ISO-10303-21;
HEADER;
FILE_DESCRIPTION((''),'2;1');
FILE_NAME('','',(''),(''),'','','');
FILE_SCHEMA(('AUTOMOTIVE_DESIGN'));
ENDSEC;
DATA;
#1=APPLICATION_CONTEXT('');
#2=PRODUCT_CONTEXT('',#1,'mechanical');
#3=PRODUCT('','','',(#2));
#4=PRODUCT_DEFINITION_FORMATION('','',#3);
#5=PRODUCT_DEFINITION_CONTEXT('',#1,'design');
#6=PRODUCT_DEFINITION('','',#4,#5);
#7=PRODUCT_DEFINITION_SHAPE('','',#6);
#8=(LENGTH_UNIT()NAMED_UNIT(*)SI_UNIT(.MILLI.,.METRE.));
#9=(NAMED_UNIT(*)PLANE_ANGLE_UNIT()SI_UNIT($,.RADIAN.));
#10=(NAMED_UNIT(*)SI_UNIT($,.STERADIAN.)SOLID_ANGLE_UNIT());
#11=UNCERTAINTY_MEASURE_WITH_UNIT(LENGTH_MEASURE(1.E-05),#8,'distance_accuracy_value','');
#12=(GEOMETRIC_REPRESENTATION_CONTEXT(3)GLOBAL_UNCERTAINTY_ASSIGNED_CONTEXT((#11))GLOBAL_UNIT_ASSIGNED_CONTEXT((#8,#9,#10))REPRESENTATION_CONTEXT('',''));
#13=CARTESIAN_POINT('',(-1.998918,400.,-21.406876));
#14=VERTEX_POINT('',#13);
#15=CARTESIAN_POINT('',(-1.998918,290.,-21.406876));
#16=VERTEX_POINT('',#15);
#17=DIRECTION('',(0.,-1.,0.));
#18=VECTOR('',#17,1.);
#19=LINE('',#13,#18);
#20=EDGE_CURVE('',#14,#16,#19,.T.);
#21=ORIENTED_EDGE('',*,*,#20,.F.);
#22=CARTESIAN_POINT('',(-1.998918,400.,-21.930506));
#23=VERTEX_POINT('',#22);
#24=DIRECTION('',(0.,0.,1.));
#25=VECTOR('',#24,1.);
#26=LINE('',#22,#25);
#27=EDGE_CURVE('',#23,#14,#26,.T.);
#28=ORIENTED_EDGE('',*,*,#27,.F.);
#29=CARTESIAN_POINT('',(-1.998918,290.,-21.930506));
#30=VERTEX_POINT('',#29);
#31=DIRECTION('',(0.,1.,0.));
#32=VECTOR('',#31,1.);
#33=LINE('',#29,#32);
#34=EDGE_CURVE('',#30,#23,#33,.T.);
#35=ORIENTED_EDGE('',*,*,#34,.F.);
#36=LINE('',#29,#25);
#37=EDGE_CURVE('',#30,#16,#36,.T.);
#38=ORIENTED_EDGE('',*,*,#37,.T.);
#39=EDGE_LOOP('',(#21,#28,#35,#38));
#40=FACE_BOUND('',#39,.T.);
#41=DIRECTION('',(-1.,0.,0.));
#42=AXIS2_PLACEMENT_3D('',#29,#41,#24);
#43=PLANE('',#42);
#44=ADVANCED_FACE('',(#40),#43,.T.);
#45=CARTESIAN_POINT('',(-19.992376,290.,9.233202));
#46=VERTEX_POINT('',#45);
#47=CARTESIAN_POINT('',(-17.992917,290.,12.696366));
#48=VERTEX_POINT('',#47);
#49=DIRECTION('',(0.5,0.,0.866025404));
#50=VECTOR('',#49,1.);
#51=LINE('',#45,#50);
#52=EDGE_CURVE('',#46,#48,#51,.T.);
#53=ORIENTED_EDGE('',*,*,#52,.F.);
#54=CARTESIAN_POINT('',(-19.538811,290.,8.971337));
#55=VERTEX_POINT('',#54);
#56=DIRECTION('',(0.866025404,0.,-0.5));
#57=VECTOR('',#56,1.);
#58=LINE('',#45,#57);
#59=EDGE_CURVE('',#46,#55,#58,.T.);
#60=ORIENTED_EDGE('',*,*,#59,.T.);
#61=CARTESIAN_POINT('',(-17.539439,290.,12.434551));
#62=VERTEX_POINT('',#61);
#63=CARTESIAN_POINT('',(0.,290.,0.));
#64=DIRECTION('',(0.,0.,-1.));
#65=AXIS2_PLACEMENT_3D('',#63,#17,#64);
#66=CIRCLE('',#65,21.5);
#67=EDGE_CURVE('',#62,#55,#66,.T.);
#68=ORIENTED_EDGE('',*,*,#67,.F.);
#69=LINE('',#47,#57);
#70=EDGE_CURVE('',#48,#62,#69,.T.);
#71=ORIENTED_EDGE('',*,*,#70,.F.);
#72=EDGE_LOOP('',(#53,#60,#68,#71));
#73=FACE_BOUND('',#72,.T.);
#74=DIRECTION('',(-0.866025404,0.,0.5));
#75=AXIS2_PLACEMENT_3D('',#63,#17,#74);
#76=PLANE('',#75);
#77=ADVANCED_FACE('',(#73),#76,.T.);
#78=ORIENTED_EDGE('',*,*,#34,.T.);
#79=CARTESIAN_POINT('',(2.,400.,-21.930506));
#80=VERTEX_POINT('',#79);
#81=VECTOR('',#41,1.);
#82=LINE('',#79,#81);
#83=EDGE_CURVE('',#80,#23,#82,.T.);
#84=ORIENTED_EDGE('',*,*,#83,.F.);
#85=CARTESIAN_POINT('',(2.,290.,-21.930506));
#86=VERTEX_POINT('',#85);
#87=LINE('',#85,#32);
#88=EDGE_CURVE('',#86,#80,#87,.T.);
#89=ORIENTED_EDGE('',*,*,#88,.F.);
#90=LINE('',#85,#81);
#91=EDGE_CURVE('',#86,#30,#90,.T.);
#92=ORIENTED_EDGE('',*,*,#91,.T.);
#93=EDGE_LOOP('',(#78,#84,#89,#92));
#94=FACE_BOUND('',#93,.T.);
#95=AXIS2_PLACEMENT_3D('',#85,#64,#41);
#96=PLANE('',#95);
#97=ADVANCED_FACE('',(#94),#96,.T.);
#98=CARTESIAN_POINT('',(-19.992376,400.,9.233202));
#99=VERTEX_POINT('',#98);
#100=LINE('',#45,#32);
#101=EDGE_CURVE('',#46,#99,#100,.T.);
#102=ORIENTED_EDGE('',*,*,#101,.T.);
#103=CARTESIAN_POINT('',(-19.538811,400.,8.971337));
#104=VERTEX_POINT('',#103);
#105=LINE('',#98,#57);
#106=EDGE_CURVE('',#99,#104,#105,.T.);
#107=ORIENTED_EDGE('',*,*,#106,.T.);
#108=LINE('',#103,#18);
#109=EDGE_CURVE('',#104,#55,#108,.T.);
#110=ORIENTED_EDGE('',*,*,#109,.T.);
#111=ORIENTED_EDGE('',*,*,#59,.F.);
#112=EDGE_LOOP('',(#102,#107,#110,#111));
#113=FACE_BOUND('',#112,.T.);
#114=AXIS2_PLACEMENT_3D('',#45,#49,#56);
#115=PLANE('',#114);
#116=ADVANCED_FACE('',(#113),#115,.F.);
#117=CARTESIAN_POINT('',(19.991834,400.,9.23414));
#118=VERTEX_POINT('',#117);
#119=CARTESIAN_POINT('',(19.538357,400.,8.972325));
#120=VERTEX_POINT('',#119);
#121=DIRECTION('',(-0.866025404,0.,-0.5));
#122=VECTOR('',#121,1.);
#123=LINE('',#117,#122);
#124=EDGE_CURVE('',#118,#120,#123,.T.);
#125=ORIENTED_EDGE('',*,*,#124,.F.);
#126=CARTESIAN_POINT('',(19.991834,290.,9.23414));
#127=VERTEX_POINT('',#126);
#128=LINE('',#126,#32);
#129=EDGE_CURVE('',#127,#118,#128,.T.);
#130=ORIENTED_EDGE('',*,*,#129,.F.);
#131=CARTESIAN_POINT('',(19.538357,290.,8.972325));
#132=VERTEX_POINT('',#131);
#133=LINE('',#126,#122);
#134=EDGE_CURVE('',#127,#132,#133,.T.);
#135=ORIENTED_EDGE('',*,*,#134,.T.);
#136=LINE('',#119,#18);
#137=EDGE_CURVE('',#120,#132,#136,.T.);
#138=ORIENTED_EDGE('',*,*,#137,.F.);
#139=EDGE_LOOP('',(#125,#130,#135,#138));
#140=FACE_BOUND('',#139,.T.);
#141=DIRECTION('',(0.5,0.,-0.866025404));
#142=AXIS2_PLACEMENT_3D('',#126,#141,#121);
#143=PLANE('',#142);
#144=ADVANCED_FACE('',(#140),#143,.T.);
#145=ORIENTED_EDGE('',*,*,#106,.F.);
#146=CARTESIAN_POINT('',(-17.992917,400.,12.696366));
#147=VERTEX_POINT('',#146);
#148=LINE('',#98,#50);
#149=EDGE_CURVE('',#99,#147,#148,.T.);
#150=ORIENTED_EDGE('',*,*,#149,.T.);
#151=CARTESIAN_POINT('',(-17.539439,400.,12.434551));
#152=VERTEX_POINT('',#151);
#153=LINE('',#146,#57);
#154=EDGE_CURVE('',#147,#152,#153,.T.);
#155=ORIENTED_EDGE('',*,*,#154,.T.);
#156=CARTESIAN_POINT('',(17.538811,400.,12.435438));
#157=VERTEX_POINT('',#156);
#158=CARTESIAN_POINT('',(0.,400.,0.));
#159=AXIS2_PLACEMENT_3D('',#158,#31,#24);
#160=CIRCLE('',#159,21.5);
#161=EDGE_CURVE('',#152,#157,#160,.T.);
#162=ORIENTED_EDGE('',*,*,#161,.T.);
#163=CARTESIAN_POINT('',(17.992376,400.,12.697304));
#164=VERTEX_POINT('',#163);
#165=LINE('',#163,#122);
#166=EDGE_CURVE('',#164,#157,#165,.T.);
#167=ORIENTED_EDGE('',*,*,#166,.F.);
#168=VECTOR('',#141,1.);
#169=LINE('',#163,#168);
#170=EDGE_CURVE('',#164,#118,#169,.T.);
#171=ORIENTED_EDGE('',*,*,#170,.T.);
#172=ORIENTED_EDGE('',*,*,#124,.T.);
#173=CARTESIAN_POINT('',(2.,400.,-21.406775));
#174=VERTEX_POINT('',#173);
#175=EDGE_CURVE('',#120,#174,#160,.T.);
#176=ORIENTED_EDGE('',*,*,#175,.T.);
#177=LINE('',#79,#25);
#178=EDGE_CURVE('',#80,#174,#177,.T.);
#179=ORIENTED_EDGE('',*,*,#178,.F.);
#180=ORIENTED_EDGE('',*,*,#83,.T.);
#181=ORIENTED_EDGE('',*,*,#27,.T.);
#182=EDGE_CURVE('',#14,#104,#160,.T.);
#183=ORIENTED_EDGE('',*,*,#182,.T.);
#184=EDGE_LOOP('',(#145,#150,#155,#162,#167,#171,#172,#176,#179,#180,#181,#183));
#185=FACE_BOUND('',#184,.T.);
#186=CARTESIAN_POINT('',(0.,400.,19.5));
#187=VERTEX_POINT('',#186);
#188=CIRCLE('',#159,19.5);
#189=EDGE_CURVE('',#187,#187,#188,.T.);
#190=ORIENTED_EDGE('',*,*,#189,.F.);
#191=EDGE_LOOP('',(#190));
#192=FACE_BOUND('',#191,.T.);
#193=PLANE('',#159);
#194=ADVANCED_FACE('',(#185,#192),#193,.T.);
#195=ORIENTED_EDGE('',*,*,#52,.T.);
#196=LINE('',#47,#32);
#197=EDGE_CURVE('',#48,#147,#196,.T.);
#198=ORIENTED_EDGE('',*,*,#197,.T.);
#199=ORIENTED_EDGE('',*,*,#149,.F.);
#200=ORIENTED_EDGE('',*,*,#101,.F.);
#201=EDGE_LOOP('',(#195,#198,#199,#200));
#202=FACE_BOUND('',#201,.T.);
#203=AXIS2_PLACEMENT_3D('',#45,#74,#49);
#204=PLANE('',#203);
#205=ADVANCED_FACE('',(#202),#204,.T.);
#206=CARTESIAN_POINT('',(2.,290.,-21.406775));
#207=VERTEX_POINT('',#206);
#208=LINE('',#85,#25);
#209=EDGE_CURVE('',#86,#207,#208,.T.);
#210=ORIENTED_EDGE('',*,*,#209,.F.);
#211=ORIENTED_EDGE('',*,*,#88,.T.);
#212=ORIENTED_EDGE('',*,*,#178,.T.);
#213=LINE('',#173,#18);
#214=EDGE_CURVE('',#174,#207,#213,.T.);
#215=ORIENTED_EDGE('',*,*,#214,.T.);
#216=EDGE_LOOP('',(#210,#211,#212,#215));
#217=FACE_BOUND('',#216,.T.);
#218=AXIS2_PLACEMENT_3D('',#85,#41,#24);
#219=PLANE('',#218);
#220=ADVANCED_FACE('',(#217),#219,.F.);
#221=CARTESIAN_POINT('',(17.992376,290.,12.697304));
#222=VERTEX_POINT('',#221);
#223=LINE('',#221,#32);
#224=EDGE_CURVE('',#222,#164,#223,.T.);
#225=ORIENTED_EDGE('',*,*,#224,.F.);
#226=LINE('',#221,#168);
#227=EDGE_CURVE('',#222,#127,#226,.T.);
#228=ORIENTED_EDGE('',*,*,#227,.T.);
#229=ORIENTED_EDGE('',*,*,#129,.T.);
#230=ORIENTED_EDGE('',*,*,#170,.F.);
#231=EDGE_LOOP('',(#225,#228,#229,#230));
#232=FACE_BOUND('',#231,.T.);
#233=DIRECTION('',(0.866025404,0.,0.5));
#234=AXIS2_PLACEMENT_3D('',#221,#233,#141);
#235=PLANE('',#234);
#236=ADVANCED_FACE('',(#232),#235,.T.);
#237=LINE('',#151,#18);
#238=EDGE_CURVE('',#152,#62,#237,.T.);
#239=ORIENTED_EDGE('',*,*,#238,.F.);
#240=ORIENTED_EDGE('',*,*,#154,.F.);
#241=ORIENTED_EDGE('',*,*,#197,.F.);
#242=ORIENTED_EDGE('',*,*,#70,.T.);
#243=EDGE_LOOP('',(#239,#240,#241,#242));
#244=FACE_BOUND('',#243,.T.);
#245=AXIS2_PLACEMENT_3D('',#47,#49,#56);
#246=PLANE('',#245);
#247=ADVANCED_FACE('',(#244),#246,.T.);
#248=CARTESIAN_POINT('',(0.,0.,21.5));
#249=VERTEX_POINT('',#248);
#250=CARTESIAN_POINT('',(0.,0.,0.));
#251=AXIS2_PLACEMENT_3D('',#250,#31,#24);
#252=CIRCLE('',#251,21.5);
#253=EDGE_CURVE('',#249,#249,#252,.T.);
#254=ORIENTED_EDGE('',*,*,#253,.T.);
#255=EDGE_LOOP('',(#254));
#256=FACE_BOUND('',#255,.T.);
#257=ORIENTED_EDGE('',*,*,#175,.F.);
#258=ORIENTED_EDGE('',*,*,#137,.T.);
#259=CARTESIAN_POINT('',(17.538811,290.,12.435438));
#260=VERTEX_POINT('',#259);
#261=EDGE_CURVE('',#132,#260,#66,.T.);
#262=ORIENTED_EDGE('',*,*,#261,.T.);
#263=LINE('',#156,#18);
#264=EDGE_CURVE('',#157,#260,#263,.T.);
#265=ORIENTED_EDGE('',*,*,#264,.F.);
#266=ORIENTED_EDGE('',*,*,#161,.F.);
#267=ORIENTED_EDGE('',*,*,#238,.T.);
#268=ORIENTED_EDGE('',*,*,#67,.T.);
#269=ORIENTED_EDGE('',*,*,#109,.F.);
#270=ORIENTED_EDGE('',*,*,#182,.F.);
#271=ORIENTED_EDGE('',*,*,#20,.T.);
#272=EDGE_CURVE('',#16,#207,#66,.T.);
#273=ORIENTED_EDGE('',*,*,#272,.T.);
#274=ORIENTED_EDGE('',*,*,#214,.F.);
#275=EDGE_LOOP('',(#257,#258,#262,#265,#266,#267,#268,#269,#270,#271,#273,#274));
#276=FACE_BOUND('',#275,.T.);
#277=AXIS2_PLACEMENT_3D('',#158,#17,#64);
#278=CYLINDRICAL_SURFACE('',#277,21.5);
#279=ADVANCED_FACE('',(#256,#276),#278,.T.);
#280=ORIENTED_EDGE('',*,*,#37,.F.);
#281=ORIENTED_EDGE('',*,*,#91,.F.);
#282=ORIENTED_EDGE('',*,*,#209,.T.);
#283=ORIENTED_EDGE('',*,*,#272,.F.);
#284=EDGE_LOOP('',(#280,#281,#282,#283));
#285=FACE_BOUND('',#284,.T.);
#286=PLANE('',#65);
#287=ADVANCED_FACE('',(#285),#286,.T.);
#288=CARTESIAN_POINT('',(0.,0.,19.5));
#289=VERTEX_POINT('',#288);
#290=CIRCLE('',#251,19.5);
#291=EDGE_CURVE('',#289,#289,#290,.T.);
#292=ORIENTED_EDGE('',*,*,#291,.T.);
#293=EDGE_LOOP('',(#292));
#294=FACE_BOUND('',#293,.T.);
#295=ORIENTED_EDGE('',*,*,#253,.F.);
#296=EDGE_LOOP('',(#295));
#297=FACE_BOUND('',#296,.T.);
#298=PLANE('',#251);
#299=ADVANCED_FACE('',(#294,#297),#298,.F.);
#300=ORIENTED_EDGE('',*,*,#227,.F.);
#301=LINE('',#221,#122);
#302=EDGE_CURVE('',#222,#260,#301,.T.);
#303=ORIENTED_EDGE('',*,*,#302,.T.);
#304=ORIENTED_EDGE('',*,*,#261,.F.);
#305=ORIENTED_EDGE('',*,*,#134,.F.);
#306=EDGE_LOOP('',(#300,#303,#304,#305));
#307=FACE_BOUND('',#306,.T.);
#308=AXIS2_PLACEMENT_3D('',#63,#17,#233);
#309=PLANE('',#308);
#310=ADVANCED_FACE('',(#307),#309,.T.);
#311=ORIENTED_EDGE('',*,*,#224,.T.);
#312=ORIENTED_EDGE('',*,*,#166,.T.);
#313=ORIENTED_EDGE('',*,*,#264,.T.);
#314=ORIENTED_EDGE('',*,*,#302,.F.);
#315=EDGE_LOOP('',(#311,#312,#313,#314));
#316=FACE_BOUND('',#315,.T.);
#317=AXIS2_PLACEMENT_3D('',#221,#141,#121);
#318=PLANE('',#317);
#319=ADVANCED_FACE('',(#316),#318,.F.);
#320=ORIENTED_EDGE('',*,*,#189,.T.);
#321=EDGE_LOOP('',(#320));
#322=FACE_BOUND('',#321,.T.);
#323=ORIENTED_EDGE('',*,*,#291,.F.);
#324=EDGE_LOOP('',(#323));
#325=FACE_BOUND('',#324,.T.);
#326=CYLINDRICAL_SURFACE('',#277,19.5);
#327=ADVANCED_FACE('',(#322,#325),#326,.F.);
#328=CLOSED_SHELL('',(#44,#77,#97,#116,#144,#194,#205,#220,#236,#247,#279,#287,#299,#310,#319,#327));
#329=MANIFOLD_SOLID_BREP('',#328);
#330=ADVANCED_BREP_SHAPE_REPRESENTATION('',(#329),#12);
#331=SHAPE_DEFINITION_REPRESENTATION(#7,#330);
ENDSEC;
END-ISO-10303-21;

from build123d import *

# Parameters (mm, degrees)
ESBO_O1_R                = 21.5
ESBO_O1_R_2              = 19.5
RESSALTO_EXTRUS_O1_DEPTH = 400
RESSALTO_EXTRUS_O3_DEPTH = 110
PADR_OCIRCULAR2_COUNT    = 3


with BuildPart() as part:
    # Esboço1 → Ressalto-extrusão1 (new body)
    with BuildSketch(Plane(origin=(0, 0, 0), x_dir=(1, 0, 0), z_dir=(0, 1, 0))):
        with Locations(Location((0, 0, 0), (0, 0, 270))):
            Circle(ESBO_O1_R)
        with Locations(Location((0, 0, 0), (0, 0, 270))):
            Circle(ESBO_O1_R_2, mode=Mode.SUBTRACT)
    extrude(amount=RESSALTO_EXTRUS_O1_DEPTH)

    # Esboço2 → Ressalto-extrusão3 (add)
    with BuildSketch(Plane(origin=(0, 400, 0), x_dir=(1, 0, 0), z_dir=(0, 1, 0))):
        Polygon((2, 21.930506272), (2, 21.234864033), (0, 21.5), (-1.998917515, 21.234864033), (-1.998917515, 21.930506272), align=None)
    ressalto_extrus_o3 = extrude(amount=-RESSALTO_EXTRUS_O3_DEPTH)

    # PadrãoCircular2: Ressalto-extrusão3 ×3 about axis
    padr_ocircular2_axis = Axis((0, 0, 0), (0, 1, 0))
    for i in range(1, PADR_OCIRCULAR2_COUNT):
        add(ressalto_extrus_o3.rotate(padr_ocircular2_axis, i * 360 / PADR_OCIRCULAR2_COUNT))


solid = part.part
